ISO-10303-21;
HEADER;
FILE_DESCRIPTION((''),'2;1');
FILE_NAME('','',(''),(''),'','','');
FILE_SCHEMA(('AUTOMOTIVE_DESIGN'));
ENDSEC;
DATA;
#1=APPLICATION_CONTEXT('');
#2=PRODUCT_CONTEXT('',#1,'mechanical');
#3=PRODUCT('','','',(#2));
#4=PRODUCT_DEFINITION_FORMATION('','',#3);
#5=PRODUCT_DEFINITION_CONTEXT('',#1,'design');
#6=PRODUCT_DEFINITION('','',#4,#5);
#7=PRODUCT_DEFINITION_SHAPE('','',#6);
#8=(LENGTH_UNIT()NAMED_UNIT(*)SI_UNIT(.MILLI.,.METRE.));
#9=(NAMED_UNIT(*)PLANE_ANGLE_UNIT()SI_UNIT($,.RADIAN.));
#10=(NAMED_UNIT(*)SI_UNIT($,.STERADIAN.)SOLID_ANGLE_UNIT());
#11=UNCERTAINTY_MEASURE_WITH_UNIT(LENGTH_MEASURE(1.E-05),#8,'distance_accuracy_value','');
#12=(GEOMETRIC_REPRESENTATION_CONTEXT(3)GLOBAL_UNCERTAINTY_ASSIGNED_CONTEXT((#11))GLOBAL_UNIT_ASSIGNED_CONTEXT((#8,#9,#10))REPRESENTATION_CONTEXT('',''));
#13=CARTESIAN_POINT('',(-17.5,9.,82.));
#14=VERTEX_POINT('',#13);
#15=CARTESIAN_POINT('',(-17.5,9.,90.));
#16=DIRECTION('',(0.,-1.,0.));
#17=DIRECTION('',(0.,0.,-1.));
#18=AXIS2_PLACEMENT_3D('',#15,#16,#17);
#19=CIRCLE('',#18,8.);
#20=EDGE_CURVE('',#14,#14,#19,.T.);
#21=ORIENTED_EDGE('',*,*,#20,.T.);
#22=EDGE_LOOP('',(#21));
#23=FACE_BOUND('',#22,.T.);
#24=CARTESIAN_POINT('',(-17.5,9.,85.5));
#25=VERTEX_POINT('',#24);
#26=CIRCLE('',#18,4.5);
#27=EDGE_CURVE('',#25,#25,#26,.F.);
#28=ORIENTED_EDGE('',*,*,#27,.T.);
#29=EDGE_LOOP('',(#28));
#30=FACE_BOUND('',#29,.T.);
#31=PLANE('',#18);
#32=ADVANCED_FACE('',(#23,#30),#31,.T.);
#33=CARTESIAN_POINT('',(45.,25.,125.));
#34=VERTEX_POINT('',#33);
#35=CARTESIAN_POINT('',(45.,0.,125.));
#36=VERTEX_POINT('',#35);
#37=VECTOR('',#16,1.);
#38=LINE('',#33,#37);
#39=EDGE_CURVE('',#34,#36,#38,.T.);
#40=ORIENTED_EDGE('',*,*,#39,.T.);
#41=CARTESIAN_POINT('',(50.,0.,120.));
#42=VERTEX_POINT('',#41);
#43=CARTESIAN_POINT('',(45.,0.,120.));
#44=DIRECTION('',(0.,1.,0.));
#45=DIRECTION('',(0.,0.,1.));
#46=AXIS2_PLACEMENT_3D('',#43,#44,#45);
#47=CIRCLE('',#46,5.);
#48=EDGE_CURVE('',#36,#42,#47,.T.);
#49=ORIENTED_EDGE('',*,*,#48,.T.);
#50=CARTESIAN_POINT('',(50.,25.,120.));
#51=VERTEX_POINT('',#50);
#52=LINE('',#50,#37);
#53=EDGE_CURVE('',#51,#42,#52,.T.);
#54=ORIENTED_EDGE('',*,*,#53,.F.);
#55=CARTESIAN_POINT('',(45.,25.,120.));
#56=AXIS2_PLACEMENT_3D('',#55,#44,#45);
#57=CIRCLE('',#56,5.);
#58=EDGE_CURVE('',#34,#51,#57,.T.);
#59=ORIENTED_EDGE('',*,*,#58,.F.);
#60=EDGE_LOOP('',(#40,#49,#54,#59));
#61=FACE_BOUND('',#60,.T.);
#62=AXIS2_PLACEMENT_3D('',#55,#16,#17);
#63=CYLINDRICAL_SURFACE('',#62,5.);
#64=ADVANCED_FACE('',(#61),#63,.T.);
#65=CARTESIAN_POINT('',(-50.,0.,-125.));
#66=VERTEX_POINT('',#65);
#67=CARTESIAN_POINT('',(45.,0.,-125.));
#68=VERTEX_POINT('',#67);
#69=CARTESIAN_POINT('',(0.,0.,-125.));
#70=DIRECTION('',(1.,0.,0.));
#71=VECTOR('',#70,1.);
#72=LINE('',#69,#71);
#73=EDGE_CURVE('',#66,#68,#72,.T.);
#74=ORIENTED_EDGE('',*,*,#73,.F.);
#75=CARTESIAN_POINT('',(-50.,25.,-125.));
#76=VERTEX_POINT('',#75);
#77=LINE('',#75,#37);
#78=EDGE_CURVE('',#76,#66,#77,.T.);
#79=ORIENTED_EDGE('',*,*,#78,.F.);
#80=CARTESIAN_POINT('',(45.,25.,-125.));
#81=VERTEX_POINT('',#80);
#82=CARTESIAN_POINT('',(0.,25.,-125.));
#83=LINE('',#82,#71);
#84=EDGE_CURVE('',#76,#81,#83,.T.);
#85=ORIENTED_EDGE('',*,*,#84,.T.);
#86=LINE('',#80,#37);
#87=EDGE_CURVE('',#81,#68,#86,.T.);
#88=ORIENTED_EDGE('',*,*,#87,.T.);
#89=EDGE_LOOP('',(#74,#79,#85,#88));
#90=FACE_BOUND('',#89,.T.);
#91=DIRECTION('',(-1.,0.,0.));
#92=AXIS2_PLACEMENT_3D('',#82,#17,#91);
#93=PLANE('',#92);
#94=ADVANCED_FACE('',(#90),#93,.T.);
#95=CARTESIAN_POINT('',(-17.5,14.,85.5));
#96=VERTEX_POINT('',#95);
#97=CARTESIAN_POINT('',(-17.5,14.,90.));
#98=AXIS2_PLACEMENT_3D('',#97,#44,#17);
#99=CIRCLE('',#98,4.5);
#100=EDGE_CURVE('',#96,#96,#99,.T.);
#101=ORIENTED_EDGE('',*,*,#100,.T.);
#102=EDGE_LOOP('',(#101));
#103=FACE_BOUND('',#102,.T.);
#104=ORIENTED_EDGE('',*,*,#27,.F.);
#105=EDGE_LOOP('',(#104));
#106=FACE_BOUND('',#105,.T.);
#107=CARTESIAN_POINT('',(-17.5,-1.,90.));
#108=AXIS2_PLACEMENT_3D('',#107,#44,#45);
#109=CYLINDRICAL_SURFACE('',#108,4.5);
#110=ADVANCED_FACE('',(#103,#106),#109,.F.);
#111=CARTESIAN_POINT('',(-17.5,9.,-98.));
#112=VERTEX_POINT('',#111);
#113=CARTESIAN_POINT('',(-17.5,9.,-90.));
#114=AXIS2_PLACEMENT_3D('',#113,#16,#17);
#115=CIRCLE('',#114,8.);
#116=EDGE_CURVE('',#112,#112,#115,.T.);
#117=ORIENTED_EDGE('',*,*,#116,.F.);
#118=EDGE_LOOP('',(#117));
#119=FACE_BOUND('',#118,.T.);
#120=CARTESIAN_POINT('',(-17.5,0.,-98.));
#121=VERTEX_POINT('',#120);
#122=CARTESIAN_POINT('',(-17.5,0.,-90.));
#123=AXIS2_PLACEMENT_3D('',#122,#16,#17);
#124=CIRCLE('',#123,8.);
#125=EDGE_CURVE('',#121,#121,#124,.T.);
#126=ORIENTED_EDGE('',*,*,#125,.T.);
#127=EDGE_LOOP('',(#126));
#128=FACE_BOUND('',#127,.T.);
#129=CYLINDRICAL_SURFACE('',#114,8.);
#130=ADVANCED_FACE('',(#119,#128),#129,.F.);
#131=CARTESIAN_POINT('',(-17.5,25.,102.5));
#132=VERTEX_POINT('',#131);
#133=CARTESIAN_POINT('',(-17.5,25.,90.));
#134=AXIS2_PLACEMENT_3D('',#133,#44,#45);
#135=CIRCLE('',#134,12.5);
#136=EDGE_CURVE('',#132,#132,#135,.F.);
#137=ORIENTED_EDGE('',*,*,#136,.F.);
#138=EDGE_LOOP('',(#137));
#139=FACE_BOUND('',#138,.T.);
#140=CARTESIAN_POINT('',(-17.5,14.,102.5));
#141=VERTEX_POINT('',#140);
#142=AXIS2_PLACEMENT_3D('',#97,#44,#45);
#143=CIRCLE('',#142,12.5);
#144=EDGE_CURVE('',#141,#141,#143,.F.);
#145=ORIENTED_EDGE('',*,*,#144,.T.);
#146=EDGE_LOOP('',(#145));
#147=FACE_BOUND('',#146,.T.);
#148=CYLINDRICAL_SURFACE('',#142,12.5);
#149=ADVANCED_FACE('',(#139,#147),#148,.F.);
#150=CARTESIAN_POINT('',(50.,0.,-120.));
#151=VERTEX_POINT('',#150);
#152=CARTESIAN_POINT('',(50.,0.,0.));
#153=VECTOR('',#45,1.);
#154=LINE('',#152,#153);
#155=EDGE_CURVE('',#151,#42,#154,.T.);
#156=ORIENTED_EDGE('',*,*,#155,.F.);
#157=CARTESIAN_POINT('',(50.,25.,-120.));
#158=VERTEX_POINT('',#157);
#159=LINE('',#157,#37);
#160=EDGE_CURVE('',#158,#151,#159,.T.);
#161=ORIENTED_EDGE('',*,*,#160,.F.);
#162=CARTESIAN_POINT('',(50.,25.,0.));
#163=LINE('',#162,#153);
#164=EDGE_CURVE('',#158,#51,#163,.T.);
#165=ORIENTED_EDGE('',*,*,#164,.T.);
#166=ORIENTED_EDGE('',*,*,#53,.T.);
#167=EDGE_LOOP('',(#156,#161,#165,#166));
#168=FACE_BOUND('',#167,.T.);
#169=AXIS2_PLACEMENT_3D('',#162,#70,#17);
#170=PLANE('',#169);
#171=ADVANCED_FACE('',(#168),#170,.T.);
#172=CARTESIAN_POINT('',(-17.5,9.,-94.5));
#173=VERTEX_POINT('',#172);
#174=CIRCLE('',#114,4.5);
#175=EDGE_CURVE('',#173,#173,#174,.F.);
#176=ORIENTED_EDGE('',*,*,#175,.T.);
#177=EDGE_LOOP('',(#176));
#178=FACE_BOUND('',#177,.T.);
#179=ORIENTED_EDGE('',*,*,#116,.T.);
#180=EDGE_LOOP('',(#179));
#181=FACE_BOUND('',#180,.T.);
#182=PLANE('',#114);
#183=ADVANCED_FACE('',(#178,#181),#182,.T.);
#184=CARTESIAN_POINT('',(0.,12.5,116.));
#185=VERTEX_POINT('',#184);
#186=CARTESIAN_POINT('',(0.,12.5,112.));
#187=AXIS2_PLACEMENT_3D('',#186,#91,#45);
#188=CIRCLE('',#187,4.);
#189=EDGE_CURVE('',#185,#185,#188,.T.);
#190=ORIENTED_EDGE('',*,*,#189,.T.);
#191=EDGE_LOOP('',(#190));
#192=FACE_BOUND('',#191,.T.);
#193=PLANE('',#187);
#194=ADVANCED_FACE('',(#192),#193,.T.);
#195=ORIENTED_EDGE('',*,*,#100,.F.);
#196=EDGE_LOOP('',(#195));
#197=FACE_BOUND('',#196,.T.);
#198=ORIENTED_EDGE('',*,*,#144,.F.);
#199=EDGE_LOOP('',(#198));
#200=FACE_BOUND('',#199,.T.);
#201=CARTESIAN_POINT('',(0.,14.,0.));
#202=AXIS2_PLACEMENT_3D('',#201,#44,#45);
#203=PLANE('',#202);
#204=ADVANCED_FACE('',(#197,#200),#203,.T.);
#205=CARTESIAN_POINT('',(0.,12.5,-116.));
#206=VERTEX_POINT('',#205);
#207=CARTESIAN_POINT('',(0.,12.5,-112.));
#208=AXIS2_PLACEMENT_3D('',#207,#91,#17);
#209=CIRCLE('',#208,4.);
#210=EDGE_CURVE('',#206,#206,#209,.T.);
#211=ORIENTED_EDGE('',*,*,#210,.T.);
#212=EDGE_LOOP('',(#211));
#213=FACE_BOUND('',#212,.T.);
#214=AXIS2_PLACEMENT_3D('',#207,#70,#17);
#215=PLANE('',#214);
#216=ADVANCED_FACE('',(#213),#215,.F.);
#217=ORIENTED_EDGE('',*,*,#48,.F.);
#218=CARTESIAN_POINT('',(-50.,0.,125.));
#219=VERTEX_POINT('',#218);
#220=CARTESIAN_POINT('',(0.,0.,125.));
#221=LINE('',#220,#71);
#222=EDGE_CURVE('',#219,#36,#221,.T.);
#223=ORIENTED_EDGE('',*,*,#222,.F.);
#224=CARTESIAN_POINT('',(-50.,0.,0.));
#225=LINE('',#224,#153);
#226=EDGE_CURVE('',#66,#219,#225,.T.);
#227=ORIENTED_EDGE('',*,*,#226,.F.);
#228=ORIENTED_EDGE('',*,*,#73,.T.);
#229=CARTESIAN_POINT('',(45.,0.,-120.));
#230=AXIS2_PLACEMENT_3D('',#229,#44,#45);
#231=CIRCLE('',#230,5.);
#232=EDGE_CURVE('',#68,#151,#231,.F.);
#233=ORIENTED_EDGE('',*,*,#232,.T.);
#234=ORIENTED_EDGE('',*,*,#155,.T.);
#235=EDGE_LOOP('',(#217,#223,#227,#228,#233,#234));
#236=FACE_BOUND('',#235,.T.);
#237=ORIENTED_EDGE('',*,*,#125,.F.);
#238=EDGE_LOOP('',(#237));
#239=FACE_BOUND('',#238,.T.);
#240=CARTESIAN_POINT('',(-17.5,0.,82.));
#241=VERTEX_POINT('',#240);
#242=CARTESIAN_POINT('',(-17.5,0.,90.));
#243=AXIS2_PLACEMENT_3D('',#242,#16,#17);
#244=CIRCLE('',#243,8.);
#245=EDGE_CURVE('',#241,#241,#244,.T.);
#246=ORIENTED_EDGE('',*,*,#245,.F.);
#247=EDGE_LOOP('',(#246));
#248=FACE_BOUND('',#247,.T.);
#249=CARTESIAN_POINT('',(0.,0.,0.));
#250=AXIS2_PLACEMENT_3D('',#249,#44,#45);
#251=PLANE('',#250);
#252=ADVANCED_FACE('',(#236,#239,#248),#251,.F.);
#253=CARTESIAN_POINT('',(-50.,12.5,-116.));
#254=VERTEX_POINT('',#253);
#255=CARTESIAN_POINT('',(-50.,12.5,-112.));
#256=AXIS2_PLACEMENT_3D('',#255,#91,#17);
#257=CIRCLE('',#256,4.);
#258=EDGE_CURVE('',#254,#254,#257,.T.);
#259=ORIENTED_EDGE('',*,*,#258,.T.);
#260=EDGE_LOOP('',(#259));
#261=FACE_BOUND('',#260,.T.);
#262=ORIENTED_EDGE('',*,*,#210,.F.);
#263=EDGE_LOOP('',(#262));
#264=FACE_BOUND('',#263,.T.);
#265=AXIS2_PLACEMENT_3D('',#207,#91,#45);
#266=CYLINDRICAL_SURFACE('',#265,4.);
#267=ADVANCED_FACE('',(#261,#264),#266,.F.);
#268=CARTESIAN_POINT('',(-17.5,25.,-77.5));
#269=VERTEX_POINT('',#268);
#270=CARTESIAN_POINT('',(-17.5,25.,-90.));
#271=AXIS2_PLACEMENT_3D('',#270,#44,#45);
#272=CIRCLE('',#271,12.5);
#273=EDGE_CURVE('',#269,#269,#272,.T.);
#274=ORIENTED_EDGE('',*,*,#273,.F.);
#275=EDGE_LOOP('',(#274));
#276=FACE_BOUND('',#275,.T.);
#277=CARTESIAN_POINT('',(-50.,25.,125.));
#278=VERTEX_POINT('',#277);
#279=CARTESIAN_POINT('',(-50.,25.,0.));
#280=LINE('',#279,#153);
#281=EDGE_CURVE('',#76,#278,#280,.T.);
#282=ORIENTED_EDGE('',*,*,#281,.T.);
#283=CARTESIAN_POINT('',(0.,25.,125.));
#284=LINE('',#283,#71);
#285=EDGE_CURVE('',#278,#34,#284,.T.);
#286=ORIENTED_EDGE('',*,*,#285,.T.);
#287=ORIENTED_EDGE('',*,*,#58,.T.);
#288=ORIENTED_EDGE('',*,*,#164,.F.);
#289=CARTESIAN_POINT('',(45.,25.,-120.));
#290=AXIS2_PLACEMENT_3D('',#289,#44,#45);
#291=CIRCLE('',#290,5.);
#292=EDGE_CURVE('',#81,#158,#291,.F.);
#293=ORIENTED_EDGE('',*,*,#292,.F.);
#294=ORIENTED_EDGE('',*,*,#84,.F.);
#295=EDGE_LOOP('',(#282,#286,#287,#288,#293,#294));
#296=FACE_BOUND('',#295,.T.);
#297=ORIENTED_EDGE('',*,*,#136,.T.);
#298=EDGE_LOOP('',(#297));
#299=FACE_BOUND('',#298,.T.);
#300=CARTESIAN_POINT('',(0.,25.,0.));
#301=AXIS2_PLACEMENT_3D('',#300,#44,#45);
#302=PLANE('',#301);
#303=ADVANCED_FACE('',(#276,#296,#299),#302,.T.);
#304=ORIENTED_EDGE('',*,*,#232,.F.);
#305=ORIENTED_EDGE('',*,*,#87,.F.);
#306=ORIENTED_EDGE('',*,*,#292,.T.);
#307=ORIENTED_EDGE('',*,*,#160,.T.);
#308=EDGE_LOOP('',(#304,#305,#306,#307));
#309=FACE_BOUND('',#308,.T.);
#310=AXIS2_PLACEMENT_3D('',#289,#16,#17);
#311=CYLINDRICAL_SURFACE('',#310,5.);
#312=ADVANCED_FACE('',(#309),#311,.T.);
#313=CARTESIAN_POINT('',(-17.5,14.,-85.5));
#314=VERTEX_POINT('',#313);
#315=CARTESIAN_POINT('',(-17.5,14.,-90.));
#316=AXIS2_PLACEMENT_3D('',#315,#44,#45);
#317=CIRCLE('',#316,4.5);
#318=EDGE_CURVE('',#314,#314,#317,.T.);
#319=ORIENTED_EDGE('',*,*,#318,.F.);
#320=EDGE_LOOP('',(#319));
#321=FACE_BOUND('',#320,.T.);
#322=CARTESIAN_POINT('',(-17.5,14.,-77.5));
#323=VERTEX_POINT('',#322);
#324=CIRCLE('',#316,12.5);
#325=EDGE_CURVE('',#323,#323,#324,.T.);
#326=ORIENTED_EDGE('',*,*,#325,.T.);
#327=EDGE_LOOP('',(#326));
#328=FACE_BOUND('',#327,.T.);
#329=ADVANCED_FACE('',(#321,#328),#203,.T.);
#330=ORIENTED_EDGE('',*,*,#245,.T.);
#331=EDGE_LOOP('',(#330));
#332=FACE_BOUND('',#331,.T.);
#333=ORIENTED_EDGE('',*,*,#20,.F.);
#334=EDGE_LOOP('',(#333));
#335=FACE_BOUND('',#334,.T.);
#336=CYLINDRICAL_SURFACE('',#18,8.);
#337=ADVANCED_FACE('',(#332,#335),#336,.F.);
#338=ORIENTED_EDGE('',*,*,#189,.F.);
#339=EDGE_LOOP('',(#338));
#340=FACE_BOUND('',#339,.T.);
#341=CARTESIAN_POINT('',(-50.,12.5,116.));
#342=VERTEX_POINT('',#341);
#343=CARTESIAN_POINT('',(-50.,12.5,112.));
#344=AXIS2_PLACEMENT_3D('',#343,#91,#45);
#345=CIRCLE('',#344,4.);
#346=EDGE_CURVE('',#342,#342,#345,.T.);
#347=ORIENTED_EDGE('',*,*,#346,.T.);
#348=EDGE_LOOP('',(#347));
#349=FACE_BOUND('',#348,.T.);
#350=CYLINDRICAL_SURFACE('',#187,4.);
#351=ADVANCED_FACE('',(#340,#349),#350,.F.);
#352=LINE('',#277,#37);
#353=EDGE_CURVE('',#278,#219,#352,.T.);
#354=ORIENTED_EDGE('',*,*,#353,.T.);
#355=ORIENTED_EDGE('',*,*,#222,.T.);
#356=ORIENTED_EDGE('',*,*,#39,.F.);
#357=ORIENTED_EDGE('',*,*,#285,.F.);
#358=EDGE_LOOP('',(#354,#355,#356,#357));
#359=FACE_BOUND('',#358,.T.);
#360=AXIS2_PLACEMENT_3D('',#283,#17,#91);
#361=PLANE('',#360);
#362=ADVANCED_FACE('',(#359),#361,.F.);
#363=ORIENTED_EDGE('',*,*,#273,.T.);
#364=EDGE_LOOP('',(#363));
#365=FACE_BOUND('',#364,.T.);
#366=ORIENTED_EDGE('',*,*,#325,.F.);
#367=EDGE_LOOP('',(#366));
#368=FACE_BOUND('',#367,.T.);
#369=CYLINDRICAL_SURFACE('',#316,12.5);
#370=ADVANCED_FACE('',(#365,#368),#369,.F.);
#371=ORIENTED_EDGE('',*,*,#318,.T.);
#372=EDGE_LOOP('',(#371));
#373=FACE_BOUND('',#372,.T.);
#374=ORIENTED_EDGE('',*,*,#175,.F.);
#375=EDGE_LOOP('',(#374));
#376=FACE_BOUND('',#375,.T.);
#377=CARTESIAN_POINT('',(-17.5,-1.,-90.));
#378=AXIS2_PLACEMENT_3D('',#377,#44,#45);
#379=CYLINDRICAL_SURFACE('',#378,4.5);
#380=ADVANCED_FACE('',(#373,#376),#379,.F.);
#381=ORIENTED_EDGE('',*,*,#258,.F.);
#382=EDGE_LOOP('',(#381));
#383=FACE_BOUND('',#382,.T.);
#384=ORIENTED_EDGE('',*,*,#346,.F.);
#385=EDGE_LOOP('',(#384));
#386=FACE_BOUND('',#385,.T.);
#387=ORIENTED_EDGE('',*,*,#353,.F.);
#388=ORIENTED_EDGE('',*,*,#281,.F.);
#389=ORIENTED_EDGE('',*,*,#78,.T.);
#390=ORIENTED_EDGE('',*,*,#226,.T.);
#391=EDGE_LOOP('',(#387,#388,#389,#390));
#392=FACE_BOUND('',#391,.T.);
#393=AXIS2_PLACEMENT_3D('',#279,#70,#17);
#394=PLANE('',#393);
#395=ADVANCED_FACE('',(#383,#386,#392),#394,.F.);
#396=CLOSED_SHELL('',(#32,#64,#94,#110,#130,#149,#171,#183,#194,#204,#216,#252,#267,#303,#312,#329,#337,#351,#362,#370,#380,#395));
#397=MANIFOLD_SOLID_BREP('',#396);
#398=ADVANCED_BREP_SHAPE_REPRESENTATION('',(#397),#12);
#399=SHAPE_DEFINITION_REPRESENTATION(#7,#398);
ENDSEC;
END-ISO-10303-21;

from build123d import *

# Parameters (mm, degrees)
EXTRUDE_1_DEPTH     = 25
SKETCH_2_R          = 12.5
CUT_EXTRUDE_1_DEPTH = 11
SKETCH_3_R          = 4.5
CUT_EXTRUDE_2_DEPTH = 15
SKETCH_5_R          = 8
CUT_EXTRUDE_3_DEPTH = 9
SKETCH_6_R          = 4
CUT_EXTRUDE_4_DEPTH = 50


with BuildPart() as part:
    # 草图1 → 凸台-拉伸1 (new body)
    with BuildSketch(Plane(origin=(0, 0, 0), x_dir=(1, 0, 0), z_dir=(0, 1, 0))):
        with BuildLine():
            Line((-50, -125), (45, -125))
            ThreePointArc((45, -125), (48.535533906, -123.535533906), (50, -120))
            Line((50, -120), (50, 120))
            ThreePointArc((50, 120), (48.535533906, 123.535533906), (45, 125))
            Line((45, 125), (-50, 125))
            Line((-50, 125), (-50, -125))
        make_face()
    extrude(amount=EXTRUDE_1_DEPTH)

    # 草图2 → 切除-拉伸1 (cut)
    with BuildSketch(Plane(origin=(0, 25, 0), x_dir=(1, 0, 0), z_dir=(0, 1, 0))):
        with Locations(Location((-17.5, 90, 0), (0, 0, 270))):
            Circle(SKETCH_2_R)
        with Locations(Location((-17.5, -90, 0), (0, 0, 270))):
            Circle(SKETCH_2_R)
    extrude(amount=-CUT_EXTRUDE_1_DEPTH, mode=Mode.SUBTRACT)

    # 草图3 → 切除-拉伸2 (cut)
    with BuildSketch(Plane(origin=(0, 14, 0), x_dir=(1, 0, 0), z_dir=(0, 1, 0))):
        with Locations(Location((-17.5, 90, 0), (0, 0, 270))):
            Circle(SKETCH_3_R)
        with Locations(Location((-17.5, -90, 0), (0, 0, 270))):
            Circle(SKETCH_3_R)
    extrude(amount=-CUT_EXTRUDE_2_DEPTH, mode=Mode.SUBTRACT)

    # 草图5 → 切除-拉伸3 (cut)
    with BuildSketch(Plane.XZ):
        with Locations(Location((-17.5, 90, 0), (0, 0, 270))):
            Circle(SKETCH_5_R)
        with Locations(Location((-17.5, -90, 0), (0, 0, 270))):
            Circle(SKETCH_5_R)
    extrude(amount=-CUT_EXTRUDE_3_DEPTH, mode=Mode.SUBTRACT)

    # 草图6 → 切除-拉伸4 (cut)
    with BuildSketch(Plane.ZY.offset(50)):
        with Locations((112, 12.5)):
            Circle(SKETCH_6_R)
        with Locations(Location((-112, 12.5, 0), (0, 0, 180))):
            Circle(SKETCH_6_R)
    extrude(amount=-CUT_EXTRUDE_4_DEPTH, mode=Mode.SUBTRACT)


solid = part.part
